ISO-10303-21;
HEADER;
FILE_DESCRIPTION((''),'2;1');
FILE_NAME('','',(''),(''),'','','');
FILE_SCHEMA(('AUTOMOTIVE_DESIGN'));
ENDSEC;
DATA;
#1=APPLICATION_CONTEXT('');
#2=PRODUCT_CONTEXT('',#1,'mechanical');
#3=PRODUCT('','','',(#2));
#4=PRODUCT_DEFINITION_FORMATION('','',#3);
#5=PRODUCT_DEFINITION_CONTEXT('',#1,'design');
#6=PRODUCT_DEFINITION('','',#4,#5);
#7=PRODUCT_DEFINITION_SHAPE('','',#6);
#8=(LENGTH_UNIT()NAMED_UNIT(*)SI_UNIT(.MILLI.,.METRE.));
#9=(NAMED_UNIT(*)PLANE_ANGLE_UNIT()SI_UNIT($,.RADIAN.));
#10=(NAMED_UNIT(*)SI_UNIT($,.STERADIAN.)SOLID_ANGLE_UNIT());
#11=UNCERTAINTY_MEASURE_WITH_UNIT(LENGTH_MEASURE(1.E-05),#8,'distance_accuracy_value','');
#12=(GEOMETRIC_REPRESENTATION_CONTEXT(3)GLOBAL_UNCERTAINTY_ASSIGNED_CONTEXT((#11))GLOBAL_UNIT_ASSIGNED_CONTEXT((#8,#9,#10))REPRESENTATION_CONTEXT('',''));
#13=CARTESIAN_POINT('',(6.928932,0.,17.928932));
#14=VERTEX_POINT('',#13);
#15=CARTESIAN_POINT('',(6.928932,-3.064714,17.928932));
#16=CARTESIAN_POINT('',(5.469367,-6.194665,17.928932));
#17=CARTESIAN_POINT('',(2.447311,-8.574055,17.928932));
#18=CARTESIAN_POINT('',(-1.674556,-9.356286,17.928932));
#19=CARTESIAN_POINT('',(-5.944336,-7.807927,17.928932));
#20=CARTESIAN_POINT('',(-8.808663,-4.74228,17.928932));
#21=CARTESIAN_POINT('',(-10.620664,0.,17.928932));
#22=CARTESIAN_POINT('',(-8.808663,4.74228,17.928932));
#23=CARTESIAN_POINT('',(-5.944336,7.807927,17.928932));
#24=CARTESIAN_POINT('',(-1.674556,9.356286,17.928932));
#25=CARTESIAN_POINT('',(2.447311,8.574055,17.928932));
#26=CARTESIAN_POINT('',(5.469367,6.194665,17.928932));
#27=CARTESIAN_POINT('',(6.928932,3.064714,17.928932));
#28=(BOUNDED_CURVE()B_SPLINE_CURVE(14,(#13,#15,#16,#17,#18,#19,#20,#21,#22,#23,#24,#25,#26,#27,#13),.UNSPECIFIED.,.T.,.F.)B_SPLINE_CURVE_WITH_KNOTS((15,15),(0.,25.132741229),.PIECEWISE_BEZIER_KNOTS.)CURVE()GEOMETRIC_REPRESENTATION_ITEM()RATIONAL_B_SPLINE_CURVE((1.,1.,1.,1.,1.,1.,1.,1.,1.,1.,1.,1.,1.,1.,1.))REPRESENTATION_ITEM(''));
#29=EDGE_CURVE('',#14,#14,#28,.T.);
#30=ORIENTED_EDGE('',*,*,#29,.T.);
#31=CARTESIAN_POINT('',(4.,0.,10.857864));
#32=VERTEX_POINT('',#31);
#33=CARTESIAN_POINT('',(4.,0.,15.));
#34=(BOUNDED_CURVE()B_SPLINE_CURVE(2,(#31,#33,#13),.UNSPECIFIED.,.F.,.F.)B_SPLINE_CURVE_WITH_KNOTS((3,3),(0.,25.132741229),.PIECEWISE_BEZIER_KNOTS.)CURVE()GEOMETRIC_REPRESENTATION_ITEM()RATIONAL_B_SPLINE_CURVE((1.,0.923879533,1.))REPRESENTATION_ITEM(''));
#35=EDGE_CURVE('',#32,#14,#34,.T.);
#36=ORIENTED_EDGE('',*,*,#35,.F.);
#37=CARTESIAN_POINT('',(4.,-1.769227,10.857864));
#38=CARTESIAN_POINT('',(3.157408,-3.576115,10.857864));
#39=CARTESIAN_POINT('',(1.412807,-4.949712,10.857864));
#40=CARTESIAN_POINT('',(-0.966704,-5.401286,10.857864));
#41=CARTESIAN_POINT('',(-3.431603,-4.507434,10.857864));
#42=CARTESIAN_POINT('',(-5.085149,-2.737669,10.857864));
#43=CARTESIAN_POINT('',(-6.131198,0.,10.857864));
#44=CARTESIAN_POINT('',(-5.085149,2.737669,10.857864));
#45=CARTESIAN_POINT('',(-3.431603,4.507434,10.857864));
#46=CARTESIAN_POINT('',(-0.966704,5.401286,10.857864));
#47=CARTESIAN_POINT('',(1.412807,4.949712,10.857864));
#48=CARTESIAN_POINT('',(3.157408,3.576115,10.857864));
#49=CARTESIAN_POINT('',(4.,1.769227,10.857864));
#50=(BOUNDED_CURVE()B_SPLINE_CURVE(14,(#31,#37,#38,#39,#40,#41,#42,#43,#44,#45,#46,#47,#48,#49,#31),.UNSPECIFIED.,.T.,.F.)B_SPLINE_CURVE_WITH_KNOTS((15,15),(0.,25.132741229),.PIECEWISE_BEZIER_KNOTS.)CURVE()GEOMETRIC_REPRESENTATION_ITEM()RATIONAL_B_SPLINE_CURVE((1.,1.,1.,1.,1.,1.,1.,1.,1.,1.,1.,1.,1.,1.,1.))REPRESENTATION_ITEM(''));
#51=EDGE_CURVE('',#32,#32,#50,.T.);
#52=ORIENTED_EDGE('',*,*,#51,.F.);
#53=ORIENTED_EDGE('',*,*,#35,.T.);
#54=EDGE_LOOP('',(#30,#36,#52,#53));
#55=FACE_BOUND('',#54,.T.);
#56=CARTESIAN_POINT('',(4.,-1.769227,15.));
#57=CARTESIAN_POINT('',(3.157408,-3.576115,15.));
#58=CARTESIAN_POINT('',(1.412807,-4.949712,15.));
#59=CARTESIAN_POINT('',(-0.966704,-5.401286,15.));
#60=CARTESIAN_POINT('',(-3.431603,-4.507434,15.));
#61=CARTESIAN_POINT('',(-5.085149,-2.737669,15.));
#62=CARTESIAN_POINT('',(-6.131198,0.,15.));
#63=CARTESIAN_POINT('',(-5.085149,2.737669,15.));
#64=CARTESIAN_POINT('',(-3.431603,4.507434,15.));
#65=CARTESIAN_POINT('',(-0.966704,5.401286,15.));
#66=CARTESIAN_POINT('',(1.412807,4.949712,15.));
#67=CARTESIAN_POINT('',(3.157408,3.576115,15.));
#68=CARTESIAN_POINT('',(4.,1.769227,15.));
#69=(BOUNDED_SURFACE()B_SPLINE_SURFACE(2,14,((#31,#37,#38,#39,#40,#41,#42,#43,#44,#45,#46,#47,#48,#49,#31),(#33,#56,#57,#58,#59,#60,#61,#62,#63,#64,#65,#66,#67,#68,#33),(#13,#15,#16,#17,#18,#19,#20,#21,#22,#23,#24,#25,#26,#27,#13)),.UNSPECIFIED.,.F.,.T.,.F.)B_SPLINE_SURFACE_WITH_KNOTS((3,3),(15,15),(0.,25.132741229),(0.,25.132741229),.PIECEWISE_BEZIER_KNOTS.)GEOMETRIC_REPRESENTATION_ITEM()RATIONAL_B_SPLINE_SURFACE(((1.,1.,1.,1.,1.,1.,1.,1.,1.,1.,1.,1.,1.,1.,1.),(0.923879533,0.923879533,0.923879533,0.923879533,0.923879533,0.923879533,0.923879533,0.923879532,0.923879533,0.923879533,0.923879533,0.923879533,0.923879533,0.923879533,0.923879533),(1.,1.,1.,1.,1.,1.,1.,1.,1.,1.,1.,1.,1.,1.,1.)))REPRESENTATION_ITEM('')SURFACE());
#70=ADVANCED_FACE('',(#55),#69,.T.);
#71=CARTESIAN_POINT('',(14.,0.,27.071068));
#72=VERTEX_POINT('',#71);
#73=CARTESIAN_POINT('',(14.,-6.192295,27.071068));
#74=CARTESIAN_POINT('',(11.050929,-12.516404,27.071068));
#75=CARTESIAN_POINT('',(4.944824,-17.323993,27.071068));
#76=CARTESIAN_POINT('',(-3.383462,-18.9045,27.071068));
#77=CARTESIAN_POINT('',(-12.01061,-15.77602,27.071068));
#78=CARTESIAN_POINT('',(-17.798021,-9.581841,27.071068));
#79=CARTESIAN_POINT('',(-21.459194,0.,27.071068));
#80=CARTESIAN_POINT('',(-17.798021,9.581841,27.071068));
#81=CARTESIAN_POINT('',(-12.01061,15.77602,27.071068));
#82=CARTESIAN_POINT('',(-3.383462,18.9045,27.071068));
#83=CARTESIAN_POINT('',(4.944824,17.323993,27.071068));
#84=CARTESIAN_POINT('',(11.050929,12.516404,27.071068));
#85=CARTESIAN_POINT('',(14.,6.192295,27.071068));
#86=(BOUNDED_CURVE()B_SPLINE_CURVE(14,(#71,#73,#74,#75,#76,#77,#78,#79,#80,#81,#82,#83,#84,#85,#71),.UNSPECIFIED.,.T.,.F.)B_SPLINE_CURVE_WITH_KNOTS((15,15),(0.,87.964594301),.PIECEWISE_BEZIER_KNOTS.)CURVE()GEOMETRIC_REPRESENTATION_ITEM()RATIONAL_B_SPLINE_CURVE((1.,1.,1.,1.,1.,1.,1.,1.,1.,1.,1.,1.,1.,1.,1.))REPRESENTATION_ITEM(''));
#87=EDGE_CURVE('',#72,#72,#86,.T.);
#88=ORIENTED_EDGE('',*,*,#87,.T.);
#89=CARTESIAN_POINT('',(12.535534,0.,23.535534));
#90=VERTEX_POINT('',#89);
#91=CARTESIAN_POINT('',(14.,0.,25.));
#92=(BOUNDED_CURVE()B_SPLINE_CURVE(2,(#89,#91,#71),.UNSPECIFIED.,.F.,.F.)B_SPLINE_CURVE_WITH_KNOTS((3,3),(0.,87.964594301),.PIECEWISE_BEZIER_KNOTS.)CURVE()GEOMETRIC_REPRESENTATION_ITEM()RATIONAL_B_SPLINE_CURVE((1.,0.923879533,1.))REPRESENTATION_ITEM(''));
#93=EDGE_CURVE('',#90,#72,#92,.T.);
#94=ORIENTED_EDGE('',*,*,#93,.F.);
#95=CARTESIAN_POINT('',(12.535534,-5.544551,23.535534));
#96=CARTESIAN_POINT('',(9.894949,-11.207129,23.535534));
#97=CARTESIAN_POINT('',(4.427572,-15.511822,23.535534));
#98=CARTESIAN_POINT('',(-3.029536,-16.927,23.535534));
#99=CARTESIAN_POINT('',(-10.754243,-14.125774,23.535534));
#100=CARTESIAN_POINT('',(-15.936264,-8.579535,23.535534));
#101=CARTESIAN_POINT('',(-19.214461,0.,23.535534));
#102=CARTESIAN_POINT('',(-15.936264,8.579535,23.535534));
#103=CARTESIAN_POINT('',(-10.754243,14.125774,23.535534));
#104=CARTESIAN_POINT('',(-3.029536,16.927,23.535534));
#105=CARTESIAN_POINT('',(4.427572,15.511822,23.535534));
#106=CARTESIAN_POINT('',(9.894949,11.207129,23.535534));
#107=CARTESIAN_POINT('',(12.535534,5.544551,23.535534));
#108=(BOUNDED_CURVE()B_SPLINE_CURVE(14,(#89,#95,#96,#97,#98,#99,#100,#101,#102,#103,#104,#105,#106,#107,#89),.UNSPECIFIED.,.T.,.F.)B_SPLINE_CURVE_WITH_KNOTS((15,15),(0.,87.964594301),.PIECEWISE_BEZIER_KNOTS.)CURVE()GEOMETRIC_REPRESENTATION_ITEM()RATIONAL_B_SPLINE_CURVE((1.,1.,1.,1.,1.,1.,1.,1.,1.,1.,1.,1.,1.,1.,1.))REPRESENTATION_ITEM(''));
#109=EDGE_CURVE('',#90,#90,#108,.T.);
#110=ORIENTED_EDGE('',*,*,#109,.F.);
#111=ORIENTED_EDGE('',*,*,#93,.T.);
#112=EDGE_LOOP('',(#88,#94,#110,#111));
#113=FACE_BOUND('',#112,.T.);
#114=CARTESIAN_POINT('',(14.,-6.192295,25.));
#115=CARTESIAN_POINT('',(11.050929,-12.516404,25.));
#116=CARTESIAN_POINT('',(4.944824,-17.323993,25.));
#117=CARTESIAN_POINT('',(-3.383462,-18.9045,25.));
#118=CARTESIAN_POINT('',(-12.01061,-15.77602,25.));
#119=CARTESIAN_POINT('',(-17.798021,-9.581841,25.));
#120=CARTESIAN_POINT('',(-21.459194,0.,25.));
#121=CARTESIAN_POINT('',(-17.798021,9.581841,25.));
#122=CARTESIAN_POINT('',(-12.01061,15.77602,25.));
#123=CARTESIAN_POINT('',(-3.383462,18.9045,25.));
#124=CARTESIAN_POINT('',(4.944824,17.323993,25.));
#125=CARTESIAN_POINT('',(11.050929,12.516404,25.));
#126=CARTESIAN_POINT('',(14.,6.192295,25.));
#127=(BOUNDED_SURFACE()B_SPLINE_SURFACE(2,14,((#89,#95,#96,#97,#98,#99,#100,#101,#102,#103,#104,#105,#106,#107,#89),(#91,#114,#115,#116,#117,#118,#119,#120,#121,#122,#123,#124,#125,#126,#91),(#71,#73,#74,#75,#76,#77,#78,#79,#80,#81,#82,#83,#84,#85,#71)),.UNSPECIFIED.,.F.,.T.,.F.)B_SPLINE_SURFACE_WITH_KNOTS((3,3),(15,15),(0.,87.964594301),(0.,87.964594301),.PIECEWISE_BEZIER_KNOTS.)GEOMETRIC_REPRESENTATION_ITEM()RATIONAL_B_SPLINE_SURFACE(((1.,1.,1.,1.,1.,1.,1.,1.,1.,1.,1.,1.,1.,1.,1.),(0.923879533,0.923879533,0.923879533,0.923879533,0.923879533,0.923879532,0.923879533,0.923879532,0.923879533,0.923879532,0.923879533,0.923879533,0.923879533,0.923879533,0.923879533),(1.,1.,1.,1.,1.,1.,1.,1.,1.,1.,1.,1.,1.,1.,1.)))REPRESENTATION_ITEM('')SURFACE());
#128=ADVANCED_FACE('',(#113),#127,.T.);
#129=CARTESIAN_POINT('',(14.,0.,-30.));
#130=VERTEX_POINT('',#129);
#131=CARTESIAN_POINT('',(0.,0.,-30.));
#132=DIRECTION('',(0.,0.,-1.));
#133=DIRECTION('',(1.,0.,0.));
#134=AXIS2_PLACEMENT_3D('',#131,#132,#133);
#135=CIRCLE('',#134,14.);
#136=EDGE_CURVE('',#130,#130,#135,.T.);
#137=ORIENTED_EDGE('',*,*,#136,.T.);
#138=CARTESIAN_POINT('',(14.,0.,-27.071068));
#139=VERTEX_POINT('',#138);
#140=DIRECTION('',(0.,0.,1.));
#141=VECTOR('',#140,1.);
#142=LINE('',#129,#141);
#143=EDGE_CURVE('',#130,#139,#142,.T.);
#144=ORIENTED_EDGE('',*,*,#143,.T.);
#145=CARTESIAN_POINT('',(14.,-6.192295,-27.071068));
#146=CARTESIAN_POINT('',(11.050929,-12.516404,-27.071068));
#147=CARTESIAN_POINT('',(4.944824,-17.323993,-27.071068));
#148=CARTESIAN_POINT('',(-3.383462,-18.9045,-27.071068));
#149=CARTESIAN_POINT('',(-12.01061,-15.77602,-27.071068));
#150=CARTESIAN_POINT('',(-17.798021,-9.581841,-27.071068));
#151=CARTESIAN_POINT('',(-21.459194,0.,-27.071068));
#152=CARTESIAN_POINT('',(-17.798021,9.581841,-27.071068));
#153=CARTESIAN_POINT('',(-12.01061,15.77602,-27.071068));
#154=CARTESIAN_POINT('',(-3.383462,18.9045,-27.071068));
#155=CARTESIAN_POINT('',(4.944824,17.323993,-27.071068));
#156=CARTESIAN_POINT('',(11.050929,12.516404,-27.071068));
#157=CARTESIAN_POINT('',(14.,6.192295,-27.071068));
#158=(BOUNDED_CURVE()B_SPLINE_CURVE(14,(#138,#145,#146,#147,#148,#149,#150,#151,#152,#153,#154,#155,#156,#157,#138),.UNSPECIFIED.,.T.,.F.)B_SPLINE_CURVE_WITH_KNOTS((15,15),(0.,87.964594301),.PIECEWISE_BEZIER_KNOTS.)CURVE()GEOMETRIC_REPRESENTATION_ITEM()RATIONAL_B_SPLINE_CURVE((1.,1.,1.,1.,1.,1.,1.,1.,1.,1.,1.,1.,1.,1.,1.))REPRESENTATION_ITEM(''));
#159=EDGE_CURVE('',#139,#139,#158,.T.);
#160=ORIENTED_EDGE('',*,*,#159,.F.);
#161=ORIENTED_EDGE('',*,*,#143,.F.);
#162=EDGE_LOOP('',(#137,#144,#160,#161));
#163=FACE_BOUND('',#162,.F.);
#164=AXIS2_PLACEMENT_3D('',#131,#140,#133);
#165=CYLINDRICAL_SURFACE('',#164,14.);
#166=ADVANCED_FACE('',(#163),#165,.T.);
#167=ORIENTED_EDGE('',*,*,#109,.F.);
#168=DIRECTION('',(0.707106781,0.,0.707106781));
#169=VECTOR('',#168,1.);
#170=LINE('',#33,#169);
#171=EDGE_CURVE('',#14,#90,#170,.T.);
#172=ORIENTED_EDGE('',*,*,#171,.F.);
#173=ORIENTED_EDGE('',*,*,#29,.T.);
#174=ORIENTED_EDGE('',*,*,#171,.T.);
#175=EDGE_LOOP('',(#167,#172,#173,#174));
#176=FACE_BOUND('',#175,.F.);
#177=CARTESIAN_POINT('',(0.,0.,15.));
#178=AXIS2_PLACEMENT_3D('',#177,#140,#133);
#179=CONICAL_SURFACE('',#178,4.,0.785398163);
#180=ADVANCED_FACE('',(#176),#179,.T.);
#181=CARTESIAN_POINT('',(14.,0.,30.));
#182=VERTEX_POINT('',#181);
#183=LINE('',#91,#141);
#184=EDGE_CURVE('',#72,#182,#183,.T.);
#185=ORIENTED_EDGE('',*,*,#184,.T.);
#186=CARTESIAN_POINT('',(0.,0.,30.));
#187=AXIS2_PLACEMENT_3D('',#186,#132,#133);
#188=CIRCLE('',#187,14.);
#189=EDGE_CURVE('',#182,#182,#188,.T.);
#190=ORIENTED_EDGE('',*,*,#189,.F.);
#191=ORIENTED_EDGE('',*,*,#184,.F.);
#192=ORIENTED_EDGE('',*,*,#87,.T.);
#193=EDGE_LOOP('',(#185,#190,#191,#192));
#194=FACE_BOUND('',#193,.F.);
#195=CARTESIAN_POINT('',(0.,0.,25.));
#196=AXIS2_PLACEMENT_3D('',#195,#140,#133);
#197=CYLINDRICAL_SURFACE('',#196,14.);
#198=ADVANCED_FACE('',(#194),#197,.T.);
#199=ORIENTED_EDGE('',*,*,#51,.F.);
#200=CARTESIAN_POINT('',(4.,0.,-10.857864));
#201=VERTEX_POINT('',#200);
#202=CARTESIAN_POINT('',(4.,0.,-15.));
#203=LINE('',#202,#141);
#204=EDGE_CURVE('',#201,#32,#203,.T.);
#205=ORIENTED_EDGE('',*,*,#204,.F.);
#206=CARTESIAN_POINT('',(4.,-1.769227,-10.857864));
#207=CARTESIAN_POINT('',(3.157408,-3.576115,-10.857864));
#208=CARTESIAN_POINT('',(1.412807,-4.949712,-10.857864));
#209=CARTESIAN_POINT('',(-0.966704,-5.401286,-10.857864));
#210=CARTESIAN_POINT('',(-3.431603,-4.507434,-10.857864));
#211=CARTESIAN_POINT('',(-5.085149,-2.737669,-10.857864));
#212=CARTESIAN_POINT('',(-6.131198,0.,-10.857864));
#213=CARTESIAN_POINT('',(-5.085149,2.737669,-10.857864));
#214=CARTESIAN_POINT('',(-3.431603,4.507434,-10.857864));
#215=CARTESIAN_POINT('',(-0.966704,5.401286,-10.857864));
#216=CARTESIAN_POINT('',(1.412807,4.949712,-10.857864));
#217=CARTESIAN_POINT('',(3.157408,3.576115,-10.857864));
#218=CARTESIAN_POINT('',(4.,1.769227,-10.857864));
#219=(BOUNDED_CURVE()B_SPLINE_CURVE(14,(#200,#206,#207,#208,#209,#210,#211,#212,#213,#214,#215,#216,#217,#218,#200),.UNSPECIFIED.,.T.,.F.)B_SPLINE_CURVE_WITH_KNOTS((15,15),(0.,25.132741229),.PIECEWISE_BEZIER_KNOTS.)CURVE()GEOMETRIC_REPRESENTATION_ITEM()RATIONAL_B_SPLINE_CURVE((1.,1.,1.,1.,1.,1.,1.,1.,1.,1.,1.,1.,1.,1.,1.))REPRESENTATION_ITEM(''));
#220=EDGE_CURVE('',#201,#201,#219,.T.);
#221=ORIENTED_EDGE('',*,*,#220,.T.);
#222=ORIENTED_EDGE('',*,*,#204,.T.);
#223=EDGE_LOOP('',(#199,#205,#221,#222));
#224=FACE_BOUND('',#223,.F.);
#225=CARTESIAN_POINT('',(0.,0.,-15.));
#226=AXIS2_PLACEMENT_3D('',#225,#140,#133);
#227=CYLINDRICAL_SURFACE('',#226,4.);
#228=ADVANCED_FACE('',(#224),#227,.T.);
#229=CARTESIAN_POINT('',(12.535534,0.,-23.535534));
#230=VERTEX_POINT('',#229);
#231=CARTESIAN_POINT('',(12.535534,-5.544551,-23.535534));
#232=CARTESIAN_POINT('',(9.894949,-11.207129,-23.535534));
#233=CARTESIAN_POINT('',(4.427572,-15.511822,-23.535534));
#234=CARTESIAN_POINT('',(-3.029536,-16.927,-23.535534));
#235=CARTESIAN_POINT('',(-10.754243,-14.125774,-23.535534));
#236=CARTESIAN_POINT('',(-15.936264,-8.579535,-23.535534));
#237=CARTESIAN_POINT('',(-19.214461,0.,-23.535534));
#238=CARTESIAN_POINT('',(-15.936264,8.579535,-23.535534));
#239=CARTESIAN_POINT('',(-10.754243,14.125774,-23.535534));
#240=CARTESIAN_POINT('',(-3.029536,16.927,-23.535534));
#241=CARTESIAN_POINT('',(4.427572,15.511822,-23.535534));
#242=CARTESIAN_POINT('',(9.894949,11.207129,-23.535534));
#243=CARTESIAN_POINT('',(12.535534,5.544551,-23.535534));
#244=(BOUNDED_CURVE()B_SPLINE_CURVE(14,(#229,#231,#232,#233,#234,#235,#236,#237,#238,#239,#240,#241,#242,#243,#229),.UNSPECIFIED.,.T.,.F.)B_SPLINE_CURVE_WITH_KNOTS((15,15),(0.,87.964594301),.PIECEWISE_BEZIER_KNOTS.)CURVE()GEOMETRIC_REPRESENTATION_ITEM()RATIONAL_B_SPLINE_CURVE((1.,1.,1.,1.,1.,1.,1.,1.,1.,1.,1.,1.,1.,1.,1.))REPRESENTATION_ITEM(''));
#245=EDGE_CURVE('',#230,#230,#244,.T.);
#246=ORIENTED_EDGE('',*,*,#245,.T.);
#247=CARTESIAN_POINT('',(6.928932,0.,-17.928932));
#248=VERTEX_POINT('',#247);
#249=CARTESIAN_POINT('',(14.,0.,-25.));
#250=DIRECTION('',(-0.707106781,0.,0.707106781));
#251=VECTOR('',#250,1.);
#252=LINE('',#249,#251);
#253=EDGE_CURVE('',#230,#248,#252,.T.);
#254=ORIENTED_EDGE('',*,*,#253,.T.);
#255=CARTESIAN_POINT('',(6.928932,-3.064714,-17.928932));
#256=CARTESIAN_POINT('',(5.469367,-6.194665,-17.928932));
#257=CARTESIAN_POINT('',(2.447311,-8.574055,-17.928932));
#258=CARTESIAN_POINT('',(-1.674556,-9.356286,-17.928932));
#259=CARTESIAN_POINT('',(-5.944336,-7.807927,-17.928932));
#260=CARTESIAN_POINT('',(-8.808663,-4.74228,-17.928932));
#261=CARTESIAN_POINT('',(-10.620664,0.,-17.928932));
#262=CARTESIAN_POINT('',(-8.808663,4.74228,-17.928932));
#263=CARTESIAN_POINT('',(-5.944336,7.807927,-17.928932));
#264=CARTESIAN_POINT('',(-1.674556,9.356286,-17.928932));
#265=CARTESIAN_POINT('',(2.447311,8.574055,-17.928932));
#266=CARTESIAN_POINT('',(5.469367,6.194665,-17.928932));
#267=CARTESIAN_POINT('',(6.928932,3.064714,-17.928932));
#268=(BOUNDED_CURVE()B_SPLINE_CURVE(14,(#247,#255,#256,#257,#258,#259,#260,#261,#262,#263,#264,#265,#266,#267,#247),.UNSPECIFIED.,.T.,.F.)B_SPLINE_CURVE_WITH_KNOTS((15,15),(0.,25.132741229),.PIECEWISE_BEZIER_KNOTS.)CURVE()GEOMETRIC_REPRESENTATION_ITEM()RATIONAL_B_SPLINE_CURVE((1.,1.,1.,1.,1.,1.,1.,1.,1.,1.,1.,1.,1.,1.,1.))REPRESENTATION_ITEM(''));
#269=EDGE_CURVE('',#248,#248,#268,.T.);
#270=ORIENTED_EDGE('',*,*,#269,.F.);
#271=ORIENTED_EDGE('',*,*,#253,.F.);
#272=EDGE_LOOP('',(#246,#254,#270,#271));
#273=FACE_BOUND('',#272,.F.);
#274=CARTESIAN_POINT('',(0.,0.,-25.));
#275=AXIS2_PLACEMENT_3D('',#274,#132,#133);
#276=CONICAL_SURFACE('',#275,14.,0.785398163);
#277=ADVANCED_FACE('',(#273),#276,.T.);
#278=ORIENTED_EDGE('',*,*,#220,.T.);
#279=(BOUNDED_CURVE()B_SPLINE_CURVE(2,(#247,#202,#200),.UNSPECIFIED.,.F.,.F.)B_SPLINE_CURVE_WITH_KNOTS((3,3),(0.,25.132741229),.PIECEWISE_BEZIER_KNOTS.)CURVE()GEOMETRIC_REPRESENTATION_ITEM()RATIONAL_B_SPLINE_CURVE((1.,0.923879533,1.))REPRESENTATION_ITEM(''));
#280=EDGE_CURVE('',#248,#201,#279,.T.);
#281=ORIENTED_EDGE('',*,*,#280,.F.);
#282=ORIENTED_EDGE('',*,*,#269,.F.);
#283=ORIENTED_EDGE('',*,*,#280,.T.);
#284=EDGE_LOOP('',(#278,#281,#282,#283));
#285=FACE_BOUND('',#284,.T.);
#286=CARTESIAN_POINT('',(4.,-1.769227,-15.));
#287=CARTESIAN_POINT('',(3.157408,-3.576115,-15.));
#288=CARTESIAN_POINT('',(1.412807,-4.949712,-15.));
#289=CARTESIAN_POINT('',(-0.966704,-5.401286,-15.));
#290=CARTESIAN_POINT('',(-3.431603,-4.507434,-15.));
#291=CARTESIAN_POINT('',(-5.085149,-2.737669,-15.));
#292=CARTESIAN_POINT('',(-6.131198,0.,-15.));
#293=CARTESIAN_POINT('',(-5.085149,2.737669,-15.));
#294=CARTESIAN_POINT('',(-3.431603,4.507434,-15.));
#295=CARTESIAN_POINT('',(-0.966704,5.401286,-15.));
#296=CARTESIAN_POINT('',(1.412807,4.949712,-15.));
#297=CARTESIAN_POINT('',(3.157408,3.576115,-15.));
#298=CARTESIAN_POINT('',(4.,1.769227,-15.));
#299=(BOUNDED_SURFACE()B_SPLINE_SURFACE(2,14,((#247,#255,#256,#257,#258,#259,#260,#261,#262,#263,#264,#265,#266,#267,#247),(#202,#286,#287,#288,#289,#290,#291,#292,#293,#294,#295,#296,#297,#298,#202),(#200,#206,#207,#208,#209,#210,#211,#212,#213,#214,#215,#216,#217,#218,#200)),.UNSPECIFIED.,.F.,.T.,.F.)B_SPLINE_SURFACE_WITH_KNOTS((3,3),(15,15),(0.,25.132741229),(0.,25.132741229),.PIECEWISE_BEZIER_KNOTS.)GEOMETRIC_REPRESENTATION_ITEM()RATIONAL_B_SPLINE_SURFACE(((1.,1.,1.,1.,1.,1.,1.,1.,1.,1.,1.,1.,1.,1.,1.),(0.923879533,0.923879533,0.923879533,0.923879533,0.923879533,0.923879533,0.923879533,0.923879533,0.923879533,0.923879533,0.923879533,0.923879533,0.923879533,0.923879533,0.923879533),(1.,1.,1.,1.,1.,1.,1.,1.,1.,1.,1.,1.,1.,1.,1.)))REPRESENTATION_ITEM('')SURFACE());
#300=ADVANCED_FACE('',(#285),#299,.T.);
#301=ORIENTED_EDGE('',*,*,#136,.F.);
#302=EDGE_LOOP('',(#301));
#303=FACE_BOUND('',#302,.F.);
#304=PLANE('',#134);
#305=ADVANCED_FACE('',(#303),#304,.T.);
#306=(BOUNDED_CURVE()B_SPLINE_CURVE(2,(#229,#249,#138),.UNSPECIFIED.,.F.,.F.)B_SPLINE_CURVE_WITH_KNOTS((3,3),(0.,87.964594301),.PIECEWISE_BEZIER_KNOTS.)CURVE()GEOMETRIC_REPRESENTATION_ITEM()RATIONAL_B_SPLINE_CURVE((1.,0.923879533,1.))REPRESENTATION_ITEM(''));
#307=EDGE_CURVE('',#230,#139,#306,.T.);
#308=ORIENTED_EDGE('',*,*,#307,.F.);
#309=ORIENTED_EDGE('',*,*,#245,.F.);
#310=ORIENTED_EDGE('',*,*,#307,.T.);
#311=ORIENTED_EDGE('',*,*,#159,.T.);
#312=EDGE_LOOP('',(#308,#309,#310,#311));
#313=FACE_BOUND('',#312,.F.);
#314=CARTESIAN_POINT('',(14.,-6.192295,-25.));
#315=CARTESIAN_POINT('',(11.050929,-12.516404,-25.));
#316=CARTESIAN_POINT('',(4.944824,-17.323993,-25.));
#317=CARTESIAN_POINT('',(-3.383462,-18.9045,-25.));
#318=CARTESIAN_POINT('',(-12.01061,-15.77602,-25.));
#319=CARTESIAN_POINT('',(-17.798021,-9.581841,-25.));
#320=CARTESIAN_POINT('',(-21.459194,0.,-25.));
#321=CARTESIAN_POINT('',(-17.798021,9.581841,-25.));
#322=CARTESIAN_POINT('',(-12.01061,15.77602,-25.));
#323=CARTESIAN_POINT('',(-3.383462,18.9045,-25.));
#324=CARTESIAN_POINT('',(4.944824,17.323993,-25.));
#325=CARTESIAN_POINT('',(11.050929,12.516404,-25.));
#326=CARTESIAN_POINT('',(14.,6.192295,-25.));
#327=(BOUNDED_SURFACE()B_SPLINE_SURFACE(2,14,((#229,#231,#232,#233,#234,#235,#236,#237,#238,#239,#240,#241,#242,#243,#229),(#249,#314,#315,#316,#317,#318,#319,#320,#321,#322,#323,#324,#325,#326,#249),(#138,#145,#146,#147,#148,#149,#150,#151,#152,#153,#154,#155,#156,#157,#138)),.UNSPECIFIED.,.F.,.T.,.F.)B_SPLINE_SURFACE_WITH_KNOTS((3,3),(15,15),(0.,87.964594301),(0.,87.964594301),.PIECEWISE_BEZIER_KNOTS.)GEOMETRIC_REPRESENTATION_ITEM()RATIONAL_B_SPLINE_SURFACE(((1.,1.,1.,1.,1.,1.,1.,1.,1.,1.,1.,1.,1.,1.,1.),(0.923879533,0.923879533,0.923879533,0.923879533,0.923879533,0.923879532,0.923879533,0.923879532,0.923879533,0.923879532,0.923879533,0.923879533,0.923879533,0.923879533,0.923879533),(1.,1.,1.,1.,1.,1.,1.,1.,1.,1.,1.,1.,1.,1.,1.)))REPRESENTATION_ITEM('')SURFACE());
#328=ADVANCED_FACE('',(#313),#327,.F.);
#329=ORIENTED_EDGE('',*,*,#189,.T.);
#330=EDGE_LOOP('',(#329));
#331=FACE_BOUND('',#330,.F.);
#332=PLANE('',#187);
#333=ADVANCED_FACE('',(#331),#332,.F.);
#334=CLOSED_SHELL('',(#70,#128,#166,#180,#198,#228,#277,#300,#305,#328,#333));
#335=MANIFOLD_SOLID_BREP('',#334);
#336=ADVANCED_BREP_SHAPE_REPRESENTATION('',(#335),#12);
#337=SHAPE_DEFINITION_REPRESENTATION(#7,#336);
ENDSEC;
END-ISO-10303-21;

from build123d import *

# Parameters (mm, degrees)
F2_R = 10
F3_R = 5


with BuildPart() as f1:
    # F0 (on Front) → F1 (revolve)
    with BuildSketch(Plane.XZ):
        Polygon((14, 30), (0, 30), (0, -30), (14, -30), (14, -25), (4, -15), (4, 0), (4, 15), (14, 25), align=None)
    revolve(axis=Axis((0, 0, 0), (0, 0, -1)))

    # F2
    f2_edges = [f1.edges().sort_by_distance(p)[0] for p in [
        (-4, 0, 15),
        (-4, 0, -15),
    ]]
    fillet(f2_edges, radius=F2_R)

    # F3
    f3_edges = [f1.edges().sort_by_distance(p)[0] for p in [
        (-14, 0, 25),
        (-14, 0, -25),
    ]]
    fillet(f3_edges, radius=F3_R)


solid = f1.part
